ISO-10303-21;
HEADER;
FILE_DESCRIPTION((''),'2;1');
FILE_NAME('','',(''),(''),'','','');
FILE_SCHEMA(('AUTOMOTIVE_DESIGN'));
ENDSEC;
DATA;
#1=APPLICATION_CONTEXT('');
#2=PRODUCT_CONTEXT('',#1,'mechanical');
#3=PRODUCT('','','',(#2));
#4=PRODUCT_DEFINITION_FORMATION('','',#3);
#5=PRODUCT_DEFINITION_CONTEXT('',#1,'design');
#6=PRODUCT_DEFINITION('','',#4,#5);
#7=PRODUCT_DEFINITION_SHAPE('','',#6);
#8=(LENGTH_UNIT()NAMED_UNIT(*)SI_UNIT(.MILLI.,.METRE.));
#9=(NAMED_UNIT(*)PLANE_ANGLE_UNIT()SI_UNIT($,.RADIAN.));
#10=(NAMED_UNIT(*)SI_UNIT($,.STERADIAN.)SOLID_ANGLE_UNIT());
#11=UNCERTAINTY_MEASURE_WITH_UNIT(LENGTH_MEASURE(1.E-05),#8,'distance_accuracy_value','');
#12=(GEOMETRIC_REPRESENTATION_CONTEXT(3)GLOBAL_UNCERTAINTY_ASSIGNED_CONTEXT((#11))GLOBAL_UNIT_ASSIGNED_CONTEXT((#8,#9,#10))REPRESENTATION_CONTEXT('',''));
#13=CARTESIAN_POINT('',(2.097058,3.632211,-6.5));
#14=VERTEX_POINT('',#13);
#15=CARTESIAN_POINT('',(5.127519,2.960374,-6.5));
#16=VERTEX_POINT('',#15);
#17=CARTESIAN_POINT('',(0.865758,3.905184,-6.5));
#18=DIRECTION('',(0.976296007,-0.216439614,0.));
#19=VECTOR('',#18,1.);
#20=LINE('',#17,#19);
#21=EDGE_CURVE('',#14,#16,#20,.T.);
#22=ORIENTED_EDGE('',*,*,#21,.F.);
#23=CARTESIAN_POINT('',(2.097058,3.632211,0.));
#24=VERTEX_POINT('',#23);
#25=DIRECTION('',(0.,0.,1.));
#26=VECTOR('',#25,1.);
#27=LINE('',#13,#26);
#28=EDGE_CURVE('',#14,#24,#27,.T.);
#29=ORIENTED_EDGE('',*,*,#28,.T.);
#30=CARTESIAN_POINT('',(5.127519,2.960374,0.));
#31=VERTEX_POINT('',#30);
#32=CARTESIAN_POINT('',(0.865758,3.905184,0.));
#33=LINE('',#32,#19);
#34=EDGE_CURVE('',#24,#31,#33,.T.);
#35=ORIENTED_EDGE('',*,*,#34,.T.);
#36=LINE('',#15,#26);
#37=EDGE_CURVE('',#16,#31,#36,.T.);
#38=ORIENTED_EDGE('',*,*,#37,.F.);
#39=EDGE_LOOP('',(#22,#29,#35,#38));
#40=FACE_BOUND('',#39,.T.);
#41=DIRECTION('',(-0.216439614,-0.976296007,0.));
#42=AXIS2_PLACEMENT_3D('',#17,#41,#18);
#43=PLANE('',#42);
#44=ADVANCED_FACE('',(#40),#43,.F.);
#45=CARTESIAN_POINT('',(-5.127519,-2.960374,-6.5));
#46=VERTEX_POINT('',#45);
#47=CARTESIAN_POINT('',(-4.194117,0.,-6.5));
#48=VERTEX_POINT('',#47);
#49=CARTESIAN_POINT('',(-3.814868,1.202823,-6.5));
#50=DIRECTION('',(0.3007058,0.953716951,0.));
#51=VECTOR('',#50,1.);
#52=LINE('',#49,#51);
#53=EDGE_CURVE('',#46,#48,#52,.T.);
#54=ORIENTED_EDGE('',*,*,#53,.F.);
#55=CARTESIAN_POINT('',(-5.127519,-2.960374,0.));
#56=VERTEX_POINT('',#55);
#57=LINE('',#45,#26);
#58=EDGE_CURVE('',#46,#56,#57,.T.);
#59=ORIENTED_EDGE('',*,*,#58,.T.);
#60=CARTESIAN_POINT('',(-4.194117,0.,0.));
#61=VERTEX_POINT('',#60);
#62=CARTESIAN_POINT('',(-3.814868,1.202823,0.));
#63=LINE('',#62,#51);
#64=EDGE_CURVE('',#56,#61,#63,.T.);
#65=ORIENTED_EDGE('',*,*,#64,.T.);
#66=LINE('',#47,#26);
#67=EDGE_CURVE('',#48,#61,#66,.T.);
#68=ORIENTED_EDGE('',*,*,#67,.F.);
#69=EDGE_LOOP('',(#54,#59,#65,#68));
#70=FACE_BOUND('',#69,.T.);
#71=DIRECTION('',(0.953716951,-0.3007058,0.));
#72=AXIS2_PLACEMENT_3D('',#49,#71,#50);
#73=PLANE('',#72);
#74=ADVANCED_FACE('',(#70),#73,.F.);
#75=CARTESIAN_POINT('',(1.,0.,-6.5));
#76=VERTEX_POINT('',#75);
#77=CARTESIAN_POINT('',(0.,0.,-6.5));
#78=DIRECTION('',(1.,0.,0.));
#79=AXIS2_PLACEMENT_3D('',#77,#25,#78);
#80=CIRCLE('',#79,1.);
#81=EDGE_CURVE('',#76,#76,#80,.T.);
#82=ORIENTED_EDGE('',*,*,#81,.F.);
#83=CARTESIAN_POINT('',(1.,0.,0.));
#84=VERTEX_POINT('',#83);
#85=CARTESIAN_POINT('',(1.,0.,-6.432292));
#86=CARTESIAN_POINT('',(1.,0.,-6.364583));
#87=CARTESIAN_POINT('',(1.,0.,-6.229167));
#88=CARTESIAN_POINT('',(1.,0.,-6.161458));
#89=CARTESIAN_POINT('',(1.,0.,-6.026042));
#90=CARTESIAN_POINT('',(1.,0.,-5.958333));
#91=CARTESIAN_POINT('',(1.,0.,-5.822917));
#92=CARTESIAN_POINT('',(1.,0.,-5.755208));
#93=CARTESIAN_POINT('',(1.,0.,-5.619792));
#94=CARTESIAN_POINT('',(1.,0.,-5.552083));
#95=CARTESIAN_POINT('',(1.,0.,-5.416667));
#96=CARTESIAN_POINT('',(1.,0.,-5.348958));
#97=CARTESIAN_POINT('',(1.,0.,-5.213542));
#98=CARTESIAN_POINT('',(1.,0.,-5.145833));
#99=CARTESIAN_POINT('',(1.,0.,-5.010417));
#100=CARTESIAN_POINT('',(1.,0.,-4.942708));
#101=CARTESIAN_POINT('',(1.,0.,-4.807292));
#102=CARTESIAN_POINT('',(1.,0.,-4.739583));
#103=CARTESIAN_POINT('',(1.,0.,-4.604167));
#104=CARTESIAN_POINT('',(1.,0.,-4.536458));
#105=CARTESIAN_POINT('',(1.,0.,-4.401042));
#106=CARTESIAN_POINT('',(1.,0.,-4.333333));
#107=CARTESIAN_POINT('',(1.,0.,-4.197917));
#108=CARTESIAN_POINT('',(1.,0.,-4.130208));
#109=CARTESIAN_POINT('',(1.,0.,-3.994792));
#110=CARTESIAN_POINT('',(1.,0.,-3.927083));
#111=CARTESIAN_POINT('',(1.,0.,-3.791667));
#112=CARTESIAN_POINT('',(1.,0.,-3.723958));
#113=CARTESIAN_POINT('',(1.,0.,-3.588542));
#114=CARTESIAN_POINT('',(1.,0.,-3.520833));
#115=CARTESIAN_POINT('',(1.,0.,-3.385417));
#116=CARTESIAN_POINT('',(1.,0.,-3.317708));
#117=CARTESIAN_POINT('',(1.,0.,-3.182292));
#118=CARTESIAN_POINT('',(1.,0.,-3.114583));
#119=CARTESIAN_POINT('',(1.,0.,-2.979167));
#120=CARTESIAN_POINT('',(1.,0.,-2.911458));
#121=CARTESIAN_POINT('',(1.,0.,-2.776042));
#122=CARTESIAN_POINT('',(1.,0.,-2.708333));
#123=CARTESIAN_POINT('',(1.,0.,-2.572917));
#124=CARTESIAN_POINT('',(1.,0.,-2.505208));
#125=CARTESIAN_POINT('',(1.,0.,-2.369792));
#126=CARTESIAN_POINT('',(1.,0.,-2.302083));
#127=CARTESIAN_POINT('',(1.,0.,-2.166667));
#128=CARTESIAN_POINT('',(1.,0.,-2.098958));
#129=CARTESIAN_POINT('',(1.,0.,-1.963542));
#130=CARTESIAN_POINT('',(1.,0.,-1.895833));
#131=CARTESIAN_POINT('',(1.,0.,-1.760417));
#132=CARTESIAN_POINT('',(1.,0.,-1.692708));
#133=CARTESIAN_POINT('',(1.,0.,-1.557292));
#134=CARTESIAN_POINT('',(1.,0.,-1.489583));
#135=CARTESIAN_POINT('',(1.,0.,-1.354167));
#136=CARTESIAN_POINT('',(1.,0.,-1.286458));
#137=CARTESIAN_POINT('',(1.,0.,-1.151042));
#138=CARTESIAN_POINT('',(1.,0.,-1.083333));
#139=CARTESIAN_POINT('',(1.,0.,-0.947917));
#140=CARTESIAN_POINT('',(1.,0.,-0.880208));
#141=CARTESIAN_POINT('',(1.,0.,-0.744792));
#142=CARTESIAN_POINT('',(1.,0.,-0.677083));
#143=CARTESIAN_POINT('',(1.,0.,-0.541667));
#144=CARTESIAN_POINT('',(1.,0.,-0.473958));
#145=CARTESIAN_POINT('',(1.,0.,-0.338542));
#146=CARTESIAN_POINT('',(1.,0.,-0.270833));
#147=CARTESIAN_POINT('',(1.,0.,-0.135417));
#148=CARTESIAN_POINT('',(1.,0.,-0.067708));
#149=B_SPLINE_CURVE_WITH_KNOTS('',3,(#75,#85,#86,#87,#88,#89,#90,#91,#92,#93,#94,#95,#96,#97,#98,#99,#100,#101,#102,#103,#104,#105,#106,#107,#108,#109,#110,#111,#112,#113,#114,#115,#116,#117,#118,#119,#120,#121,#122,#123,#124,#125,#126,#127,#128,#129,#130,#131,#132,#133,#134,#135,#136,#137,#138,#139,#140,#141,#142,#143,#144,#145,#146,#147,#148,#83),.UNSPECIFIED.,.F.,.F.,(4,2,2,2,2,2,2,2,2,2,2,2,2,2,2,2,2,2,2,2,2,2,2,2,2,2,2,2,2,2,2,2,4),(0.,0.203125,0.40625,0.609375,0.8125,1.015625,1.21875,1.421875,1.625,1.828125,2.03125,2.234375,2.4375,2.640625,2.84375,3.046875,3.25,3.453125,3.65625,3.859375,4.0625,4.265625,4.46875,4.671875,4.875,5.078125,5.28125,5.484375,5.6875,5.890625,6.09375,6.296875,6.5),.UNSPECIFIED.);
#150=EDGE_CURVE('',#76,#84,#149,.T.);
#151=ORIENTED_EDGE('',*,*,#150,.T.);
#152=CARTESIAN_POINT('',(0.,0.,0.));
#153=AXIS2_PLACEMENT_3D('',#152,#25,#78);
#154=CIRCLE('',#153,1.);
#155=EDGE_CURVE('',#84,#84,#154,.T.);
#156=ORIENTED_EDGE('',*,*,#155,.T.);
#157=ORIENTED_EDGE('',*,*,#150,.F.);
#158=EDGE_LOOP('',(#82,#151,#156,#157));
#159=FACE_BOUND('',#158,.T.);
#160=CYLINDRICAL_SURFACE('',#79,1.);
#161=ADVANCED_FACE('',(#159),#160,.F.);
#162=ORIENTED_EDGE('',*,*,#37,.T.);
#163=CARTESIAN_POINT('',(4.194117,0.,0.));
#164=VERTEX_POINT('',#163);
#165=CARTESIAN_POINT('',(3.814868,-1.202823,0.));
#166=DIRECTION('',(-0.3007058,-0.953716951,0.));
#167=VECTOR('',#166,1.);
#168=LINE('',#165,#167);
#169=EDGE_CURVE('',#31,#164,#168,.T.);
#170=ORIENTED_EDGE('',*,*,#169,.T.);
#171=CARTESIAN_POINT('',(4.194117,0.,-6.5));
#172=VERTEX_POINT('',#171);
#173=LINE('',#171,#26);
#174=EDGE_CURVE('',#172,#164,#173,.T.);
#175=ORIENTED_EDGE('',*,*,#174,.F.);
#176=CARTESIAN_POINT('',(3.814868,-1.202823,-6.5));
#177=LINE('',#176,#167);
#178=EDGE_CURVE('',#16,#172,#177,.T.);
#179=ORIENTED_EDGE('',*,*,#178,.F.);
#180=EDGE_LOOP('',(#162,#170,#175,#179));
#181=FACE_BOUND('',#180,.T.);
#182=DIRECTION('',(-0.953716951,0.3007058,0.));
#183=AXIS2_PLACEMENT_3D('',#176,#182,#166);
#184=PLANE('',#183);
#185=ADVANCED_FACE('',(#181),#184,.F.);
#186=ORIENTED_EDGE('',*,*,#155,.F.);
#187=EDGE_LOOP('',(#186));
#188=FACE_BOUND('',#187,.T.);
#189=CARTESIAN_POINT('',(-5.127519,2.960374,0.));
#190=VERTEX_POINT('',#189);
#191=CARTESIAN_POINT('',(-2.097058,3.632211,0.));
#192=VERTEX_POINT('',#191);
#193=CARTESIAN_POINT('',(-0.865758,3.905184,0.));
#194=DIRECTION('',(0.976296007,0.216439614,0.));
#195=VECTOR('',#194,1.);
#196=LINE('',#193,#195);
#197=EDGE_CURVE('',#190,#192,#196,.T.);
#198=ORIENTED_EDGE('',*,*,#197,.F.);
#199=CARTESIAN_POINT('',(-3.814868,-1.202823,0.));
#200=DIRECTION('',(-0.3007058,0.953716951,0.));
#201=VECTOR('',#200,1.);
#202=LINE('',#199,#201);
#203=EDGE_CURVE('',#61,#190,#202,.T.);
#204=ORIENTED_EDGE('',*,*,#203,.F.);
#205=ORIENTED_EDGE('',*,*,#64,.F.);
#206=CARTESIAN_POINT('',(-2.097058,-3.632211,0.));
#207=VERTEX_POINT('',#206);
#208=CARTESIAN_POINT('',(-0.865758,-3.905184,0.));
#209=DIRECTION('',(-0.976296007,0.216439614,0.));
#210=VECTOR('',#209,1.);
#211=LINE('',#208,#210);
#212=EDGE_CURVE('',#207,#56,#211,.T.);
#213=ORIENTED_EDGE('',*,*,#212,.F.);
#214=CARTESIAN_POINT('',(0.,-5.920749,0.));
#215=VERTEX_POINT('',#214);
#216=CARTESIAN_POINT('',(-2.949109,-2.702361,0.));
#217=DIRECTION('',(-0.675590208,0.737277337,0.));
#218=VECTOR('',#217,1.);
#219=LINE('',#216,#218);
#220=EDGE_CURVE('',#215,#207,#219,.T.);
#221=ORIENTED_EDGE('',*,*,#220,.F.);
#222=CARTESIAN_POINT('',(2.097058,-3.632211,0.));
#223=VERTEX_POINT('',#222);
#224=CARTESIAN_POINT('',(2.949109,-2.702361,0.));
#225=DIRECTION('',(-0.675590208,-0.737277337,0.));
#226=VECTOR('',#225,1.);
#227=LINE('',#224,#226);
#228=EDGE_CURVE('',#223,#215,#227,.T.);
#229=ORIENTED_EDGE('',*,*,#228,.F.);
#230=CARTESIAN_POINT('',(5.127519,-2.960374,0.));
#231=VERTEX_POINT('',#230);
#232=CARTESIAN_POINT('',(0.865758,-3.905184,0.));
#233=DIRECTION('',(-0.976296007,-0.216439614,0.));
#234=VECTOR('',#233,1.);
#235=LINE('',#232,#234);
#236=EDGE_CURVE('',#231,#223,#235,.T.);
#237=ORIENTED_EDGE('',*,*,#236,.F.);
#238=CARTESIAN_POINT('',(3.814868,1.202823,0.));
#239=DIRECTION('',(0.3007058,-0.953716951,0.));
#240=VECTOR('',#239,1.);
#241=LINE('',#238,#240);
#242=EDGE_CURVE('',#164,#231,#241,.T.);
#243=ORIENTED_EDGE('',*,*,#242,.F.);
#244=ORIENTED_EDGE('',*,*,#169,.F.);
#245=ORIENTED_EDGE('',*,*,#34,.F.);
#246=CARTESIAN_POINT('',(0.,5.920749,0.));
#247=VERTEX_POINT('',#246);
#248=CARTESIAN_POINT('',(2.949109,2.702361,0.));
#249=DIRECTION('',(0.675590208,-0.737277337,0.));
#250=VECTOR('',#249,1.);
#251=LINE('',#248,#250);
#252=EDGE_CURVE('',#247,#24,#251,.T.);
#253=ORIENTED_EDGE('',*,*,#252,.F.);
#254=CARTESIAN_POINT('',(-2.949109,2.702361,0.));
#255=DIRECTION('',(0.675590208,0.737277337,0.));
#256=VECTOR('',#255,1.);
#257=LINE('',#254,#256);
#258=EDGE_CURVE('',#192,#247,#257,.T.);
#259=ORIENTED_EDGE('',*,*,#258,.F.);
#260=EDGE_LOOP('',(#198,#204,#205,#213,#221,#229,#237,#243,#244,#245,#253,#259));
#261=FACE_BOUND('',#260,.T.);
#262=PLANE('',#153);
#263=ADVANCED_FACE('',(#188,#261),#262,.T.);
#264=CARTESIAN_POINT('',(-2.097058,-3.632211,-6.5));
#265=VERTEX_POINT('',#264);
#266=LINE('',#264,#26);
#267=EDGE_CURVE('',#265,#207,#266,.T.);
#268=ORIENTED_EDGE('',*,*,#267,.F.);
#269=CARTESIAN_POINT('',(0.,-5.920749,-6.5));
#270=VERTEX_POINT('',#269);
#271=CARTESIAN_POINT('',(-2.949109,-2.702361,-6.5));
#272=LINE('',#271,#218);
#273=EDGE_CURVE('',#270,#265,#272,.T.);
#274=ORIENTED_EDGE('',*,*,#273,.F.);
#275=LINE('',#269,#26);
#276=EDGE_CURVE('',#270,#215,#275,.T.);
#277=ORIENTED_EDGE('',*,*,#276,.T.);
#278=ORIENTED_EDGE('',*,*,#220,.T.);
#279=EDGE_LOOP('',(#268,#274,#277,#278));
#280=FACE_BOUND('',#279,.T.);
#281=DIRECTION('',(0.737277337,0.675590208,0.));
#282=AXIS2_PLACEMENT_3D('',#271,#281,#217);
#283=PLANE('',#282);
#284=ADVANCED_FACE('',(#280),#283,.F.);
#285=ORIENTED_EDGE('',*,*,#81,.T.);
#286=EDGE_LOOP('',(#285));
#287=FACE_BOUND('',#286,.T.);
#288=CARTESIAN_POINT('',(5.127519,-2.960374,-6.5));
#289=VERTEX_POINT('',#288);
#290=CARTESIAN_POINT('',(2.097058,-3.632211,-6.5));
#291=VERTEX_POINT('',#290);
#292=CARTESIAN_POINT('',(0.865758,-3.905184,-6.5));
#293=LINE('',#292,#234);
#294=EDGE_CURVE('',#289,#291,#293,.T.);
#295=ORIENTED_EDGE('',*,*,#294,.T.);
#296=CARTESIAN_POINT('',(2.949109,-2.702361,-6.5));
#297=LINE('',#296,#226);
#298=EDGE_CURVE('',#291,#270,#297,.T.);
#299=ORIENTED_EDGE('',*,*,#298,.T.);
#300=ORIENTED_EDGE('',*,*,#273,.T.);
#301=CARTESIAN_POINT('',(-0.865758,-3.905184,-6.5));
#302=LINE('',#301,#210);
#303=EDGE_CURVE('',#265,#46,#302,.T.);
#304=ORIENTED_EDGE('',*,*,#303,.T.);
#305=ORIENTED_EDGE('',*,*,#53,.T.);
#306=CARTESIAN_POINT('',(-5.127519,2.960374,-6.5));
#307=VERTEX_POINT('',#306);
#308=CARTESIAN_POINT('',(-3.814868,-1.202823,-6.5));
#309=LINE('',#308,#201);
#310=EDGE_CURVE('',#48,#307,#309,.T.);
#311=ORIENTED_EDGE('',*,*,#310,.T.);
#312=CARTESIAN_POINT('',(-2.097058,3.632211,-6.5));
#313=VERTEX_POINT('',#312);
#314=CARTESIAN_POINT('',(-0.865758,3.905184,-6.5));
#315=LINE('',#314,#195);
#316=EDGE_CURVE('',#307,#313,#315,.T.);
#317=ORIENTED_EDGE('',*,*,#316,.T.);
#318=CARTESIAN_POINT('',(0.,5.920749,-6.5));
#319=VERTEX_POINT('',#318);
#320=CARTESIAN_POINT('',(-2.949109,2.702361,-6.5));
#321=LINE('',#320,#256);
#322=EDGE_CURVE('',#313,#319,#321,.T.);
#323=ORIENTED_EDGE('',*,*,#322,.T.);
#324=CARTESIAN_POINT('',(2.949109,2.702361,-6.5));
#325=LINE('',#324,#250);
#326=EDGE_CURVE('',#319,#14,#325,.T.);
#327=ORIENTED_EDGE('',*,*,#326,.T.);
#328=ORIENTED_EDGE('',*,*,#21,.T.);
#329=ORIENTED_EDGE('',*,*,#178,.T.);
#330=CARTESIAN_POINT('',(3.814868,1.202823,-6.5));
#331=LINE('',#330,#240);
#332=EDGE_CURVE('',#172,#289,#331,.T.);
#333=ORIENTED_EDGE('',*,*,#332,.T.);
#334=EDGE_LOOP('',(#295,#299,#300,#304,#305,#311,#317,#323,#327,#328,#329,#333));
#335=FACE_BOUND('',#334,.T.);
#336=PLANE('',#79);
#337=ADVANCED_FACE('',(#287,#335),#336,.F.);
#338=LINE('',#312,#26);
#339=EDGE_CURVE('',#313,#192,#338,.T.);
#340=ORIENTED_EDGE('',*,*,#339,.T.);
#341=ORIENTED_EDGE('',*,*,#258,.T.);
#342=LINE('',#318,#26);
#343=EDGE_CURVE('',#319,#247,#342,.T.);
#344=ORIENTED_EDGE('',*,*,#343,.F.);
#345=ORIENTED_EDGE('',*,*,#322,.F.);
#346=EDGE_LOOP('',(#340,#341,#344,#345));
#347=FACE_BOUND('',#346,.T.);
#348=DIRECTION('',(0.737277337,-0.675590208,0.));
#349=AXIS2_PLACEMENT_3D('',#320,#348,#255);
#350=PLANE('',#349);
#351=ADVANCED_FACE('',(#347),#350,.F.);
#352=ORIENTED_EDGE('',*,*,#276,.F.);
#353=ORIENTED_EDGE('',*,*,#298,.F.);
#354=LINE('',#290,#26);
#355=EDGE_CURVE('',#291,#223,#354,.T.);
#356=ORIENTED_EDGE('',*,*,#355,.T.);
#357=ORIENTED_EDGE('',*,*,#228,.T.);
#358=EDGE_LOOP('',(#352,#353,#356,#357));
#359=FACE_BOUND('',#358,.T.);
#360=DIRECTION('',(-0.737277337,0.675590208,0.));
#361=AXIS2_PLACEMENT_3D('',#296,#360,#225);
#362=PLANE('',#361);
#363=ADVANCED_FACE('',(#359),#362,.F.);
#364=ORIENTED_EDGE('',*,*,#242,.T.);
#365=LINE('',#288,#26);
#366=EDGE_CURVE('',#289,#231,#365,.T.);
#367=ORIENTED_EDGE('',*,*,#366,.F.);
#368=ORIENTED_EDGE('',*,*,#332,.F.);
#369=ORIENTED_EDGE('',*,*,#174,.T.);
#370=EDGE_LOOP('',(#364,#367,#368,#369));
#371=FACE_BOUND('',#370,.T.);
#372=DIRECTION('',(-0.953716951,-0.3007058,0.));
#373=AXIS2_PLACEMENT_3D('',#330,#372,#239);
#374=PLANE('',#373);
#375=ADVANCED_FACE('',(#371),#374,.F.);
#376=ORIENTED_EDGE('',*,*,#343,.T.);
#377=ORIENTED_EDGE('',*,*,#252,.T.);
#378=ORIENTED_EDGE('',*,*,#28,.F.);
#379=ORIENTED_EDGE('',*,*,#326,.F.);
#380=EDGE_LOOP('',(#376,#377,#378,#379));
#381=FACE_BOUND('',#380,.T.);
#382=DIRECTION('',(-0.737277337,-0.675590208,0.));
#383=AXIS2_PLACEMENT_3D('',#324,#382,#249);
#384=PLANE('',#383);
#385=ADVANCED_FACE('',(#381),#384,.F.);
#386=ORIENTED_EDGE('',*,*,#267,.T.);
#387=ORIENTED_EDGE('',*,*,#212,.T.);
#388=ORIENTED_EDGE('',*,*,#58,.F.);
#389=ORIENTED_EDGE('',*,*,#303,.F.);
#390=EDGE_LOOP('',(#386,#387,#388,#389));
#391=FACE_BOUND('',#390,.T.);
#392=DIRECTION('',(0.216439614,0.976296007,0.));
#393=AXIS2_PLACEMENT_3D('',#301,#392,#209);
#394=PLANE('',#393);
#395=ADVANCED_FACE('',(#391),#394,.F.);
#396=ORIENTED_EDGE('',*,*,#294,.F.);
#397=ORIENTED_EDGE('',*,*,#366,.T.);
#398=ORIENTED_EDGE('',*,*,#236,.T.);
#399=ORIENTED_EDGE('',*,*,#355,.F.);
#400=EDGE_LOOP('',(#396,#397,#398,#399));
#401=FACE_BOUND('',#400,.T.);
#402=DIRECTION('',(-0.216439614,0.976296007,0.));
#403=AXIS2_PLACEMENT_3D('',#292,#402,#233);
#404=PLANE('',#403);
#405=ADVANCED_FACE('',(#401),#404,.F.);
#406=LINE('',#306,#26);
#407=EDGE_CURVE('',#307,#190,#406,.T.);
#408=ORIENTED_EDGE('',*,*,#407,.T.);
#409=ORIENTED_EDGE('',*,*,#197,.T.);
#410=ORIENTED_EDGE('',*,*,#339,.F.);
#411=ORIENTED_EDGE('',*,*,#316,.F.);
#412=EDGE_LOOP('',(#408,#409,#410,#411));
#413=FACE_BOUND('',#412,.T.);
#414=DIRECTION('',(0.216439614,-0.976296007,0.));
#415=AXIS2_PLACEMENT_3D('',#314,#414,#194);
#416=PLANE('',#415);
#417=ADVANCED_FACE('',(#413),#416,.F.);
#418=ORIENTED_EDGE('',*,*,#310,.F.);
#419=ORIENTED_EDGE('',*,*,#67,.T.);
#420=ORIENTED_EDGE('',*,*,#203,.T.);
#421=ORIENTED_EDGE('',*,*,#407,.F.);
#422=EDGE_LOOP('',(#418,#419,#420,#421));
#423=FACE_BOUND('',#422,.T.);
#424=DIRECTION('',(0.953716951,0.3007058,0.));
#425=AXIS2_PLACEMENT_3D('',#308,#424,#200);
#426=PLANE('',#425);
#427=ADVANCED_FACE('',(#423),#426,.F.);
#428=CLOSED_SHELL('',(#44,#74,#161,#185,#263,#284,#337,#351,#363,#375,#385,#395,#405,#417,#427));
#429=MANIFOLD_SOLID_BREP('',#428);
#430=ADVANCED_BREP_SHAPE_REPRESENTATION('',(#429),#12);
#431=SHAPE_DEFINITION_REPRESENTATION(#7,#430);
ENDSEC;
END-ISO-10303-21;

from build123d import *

# Parameters (mm, degrees)
SKETCH1_R           = 1
BOSS_EXTRUDE1_DEPTH = 6.5


with BuildPart() as part:
    # Sketch1 → Boss-Extrude1 (new body)
    with BuildSketch(Plane.XY):
        Polygon((0, -5.920748932), (2.09705825, -3.632211436), (5.127518984, -2.960374466), (4.194116501, 0), (5.127518984, 2.960374466), (2.09705825, 3.632211436), (0, 5.920748932), (-2.09705825, 3.632211436), (-5.127518984, 2.960374466), (-4.194116501, 0), (-5.127518984, -2.960374466), (-2.09705825, -3.632211436), align=None)
        Circle(SKETCH1_R, mode=Mode.SUBTRACT)
    extrude(amount=-BOSS_EXTRUDE1_DEPTH)


solid = part.part
